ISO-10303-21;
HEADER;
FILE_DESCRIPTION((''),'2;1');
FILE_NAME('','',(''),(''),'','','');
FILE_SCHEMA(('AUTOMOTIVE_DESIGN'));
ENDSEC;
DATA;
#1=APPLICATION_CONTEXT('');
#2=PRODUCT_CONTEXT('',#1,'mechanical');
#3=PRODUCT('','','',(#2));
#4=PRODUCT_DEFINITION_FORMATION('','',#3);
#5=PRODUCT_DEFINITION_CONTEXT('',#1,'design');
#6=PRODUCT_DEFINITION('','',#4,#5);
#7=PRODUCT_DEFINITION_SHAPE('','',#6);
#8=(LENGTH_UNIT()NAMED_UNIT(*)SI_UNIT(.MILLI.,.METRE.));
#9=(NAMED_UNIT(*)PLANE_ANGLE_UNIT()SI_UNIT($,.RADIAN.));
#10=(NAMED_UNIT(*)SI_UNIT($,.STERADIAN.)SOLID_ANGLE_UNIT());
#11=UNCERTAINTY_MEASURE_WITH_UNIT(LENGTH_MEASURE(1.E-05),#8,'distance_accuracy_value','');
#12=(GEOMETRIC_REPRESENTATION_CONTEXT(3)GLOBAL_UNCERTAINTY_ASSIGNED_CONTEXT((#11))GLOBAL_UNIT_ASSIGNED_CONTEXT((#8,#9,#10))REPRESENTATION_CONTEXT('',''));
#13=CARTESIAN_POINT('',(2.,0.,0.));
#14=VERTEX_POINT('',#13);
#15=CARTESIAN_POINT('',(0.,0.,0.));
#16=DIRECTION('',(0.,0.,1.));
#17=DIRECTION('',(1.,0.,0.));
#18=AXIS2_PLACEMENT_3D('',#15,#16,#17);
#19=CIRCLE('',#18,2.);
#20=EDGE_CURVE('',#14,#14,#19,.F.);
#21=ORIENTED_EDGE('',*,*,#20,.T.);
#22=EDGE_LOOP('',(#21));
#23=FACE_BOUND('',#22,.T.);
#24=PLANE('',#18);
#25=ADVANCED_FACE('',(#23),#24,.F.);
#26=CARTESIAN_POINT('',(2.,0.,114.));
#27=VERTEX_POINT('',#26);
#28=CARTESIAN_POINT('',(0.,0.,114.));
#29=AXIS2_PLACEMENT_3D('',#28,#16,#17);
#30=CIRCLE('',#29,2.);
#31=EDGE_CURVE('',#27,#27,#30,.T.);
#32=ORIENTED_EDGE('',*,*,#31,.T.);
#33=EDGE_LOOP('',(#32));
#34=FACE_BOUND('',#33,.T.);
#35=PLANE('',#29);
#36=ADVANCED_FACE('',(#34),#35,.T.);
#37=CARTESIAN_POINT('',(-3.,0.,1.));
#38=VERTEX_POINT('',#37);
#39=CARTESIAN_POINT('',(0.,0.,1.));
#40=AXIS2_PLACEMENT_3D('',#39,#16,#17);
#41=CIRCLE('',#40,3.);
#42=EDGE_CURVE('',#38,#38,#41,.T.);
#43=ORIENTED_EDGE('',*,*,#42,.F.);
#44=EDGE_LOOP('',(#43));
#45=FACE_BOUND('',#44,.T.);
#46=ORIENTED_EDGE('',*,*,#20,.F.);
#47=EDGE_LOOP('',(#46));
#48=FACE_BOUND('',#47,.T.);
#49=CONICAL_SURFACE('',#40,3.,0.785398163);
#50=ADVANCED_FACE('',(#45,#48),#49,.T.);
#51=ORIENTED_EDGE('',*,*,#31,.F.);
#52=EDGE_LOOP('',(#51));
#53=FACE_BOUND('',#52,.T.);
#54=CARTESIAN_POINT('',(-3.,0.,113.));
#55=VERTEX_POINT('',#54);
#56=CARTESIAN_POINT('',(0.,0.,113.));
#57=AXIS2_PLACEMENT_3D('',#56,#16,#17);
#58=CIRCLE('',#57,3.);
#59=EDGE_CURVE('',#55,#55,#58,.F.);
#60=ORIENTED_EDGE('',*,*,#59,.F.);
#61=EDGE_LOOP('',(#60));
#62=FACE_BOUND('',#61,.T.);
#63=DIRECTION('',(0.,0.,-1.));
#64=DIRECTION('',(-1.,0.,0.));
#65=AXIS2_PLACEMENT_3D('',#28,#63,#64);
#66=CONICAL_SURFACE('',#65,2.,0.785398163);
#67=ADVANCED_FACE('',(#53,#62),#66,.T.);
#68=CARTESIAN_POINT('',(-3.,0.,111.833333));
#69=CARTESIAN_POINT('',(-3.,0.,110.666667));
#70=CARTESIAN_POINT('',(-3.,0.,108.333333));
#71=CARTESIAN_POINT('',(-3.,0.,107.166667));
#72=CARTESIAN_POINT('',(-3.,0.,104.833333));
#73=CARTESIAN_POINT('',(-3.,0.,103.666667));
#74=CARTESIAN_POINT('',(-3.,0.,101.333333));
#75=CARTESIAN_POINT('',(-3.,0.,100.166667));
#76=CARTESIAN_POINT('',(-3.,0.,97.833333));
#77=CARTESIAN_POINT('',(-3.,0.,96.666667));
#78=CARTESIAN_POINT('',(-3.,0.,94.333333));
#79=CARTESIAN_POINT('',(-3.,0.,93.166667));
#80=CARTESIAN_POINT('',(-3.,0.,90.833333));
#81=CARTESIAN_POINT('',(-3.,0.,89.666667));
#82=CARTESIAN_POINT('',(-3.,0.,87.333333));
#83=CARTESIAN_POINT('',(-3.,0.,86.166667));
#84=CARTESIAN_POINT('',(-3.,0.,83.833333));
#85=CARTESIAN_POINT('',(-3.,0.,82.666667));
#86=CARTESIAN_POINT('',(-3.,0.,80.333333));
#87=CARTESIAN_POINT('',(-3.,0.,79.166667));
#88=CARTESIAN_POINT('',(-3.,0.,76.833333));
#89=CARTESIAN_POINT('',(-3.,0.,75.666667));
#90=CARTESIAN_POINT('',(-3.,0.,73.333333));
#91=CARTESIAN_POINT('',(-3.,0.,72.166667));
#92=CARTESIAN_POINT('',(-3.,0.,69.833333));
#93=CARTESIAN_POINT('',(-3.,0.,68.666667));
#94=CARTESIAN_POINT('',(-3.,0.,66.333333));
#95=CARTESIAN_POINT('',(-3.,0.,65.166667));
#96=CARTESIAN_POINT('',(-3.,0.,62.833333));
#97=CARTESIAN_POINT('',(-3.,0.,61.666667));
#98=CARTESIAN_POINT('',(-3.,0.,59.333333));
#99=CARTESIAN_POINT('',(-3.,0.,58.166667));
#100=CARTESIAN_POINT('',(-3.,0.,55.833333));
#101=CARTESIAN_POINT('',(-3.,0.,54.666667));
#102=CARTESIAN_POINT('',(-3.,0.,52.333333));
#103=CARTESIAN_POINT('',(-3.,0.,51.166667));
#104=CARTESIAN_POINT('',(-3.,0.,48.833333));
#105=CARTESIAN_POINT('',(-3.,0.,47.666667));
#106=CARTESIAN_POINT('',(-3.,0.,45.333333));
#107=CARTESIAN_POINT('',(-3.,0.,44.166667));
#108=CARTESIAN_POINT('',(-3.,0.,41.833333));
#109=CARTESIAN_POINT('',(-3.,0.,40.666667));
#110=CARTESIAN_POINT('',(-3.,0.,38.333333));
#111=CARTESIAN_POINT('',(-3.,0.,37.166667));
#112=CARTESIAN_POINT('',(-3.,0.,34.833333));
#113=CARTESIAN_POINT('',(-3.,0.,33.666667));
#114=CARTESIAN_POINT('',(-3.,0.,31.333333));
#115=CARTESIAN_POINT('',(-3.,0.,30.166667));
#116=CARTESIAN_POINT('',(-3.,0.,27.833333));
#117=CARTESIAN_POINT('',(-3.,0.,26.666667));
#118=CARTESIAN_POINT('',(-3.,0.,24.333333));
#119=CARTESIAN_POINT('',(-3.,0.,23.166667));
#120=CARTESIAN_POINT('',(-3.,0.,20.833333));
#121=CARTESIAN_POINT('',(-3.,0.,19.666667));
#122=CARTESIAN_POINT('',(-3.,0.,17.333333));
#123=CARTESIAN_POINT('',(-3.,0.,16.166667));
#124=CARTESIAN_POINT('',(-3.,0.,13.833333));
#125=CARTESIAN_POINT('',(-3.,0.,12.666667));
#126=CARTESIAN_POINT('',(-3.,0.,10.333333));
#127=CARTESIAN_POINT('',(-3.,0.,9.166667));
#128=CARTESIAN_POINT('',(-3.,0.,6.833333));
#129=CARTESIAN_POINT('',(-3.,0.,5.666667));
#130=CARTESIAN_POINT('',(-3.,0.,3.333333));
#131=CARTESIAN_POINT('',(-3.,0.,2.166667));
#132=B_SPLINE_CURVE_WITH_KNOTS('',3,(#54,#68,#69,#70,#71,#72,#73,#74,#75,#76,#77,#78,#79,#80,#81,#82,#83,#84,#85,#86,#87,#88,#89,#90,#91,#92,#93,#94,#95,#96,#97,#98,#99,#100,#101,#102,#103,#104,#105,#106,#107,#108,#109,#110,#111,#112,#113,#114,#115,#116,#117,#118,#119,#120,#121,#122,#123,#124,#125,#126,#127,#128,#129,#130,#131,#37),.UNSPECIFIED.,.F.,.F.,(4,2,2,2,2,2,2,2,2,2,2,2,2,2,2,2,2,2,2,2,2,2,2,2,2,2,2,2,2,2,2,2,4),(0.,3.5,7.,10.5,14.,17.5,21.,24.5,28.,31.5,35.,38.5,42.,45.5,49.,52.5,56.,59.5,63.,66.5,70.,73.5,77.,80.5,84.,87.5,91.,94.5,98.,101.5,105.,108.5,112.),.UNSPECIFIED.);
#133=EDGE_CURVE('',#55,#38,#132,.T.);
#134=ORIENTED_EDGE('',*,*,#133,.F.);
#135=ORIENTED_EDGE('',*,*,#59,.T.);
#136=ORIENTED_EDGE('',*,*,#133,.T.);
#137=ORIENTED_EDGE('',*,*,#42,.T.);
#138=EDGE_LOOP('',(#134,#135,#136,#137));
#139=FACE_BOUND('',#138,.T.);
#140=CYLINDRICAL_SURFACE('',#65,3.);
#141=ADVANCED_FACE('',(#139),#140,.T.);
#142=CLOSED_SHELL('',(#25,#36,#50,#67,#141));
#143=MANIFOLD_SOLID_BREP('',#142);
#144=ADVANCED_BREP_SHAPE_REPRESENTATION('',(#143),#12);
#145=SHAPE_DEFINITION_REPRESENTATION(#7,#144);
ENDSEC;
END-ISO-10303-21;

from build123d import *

# Parameters (mm, degrees)
SKETCH1_R           = 3
BOSS_EXTRUDE1_DEPTH = 114
CHAMFER1_SIZE       = 1


with BuildPart() as part:
    # Sketch1 → Boss-Extrude1 (new body)
    with BuildSketch(Plane.XY):
        with Locations(Location((0, 0, 0), (0, 0, 180))):
            Circle(SKETCH1_R)
    extrude(amount=BOSS_EXTRUDE1_DEPTH)

    # Chamfer1
    chamfer1_edges = [part.edges().sort_by_distance(p)[0] for p in [
        (3, 0, 0),
        (3, 0, 114),
    ]]
    chamfer(chamfer1_edges, length=CHAMFER1_SIZE)


solid = part.part
